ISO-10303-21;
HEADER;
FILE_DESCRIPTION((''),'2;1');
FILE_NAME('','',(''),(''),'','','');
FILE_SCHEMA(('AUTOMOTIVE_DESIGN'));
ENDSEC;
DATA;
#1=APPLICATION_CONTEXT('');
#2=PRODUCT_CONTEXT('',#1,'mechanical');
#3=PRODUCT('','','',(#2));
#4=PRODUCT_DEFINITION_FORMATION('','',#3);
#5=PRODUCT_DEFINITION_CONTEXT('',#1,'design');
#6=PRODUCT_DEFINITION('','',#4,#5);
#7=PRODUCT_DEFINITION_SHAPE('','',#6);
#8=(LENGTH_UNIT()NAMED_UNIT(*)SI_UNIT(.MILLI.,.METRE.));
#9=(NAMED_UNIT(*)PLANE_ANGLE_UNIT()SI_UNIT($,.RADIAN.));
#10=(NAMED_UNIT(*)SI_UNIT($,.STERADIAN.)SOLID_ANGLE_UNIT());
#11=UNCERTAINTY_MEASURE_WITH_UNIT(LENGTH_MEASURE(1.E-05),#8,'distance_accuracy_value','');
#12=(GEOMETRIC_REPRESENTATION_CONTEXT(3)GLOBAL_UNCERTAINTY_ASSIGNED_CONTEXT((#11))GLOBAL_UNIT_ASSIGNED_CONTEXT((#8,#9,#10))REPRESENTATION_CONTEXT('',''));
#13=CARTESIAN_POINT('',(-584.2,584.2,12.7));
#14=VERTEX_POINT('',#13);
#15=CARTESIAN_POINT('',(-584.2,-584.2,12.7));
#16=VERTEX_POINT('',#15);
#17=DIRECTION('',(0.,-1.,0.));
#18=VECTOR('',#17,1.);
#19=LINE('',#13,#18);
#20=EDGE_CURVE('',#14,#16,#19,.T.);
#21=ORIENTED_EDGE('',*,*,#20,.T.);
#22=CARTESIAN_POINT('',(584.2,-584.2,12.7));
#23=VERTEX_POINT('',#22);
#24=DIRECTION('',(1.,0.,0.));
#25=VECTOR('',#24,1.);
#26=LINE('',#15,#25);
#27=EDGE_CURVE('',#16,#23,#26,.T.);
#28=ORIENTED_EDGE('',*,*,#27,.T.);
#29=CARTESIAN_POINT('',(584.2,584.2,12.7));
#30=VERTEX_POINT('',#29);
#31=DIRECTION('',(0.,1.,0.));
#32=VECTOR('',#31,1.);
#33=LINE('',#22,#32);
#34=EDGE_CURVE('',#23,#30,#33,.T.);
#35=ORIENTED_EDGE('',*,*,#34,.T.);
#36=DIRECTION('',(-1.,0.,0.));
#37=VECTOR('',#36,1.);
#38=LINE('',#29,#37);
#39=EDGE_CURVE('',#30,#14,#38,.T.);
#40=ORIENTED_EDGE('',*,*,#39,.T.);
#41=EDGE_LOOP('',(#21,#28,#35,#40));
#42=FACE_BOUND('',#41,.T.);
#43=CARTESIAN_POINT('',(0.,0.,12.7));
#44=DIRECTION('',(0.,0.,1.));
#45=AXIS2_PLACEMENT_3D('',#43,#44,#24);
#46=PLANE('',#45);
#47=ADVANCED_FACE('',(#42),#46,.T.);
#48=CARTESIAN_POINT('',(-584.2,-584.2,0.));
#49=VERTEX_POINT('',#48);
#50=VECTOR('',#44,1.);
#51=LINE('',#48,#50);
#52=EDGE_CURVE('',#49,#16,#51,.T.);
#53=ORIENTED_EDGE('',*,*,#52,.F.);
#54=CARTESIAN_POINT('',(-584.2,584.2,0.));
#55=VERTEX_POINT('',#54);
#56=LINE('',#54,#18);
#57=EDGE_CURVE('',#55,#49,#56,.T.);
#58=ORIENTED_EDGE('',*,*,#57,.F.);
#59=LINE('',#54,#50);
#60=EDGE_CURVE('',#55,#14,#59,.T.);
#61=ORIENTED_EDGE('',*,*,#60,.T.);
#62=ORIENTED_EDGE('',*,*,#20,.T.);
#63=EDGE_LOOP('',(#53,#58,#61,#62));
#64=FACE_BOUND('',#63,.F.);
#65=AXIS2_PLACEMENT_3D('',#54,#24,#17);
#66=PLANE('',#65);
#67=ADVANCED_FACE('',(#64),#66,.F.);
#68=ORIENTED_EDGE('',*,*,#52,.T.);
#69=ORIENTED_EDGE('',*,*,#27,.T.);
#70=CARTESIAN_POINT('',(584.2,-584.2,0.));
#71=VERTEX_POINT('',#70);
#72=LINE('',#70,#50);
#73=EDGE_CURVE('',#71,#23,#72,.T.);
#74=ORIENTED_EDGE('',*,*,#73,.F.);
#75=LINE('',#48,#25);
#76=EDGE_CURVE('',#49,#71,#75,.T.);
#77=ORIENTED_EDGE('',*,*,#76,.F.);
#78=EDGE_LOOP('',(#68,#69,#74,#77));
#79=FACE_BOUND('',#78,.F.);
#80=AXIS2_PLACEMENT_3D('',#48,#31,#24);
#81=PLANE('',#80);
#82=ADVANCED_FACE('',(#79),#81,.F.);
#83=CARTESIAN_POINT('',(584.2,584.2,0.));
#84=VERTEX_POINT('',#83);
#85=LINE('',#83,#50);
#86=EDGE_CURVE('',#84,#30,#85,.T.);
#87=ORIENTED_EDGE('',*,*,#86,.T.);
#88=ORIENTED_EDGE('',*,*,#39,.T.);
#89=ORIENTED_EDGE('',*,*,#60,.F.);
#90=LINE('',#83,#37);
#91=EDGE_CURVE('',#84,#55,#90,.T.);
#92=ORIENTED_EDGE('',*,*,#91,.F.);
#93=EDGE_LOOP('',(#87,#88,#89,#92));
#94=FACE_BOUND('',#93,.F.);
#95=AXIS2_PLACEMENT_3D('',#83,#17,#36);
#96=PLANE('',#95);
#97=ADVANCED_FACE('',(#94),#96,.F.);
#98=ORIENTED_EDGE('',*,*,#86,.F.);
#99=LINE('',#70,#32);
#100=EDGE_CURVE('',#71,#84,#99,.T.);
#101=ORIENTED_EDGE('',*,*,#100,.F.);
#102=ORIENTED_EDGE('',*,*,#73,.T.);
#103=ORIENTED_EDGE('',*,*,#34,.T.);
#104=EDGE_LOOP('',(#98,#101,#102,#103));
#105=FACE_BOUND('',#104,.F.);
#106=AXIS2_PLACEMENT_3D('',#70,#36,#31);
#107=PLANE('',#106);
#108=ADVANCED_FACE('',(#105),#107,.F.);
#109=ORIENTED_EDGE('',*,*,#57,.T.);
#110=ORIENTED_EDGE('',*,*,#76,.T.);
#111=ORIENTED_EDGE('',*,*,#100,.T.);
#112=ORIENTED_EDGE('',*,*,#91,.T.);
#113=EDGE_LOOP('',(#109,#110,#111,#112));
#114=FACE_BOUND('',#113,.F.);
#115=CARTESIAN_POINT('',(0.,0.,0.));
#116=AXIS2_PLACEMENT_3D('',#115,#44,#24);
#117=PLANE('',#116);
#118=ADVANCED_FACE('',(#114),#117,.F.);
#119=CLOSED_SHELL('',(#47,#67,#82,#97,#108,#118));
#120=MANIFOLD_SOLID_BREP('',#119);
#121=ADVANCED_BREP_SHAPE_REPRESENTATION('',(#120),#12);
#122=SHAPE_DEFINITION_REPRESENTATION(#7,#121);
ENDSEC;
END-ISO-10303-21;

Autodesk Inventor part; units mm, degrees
ref_plane "YZ Plane" through (0, 0, 0) normal (1, 0, 0) x (0, 1, 0)
ref_plane "XZ Plane" through (0, 0, 0) normal (0, 1, 0) x (-1, 0, 0)
ref_plane "XY Plane" through (0, 0, 0) normal (0, 0, 1) x (1, 0, 0)
sketch "Sketch1" plane through (0, 0, 0) normal (0, 0, 1) x (1, 0, 0)
  line L0 (-584.2, -584.2) -> (584.2, -584.2)
  line L1 (584.2, -584.2) -> (584.2, 584.2)
  line L2 (584.2, 584.2) -> (-584.2, 584.2)
  line L3 (-584.2, 584.2) -> (-584.2, -584.2)
  line L4 (-584.2, -584.2) -> (584.2, 584.2) construction
  line L5 (584.2, -584.2) -> (-584.2, 584.2) construction
  point P0 (0, 0)
  dimension "d0" = 1168.4
  dimension "d1" = 1168.4
extrude "Extrusion1" add sketch "Sketch1" along normal blind 12.7
properties part number "left_1_2"
